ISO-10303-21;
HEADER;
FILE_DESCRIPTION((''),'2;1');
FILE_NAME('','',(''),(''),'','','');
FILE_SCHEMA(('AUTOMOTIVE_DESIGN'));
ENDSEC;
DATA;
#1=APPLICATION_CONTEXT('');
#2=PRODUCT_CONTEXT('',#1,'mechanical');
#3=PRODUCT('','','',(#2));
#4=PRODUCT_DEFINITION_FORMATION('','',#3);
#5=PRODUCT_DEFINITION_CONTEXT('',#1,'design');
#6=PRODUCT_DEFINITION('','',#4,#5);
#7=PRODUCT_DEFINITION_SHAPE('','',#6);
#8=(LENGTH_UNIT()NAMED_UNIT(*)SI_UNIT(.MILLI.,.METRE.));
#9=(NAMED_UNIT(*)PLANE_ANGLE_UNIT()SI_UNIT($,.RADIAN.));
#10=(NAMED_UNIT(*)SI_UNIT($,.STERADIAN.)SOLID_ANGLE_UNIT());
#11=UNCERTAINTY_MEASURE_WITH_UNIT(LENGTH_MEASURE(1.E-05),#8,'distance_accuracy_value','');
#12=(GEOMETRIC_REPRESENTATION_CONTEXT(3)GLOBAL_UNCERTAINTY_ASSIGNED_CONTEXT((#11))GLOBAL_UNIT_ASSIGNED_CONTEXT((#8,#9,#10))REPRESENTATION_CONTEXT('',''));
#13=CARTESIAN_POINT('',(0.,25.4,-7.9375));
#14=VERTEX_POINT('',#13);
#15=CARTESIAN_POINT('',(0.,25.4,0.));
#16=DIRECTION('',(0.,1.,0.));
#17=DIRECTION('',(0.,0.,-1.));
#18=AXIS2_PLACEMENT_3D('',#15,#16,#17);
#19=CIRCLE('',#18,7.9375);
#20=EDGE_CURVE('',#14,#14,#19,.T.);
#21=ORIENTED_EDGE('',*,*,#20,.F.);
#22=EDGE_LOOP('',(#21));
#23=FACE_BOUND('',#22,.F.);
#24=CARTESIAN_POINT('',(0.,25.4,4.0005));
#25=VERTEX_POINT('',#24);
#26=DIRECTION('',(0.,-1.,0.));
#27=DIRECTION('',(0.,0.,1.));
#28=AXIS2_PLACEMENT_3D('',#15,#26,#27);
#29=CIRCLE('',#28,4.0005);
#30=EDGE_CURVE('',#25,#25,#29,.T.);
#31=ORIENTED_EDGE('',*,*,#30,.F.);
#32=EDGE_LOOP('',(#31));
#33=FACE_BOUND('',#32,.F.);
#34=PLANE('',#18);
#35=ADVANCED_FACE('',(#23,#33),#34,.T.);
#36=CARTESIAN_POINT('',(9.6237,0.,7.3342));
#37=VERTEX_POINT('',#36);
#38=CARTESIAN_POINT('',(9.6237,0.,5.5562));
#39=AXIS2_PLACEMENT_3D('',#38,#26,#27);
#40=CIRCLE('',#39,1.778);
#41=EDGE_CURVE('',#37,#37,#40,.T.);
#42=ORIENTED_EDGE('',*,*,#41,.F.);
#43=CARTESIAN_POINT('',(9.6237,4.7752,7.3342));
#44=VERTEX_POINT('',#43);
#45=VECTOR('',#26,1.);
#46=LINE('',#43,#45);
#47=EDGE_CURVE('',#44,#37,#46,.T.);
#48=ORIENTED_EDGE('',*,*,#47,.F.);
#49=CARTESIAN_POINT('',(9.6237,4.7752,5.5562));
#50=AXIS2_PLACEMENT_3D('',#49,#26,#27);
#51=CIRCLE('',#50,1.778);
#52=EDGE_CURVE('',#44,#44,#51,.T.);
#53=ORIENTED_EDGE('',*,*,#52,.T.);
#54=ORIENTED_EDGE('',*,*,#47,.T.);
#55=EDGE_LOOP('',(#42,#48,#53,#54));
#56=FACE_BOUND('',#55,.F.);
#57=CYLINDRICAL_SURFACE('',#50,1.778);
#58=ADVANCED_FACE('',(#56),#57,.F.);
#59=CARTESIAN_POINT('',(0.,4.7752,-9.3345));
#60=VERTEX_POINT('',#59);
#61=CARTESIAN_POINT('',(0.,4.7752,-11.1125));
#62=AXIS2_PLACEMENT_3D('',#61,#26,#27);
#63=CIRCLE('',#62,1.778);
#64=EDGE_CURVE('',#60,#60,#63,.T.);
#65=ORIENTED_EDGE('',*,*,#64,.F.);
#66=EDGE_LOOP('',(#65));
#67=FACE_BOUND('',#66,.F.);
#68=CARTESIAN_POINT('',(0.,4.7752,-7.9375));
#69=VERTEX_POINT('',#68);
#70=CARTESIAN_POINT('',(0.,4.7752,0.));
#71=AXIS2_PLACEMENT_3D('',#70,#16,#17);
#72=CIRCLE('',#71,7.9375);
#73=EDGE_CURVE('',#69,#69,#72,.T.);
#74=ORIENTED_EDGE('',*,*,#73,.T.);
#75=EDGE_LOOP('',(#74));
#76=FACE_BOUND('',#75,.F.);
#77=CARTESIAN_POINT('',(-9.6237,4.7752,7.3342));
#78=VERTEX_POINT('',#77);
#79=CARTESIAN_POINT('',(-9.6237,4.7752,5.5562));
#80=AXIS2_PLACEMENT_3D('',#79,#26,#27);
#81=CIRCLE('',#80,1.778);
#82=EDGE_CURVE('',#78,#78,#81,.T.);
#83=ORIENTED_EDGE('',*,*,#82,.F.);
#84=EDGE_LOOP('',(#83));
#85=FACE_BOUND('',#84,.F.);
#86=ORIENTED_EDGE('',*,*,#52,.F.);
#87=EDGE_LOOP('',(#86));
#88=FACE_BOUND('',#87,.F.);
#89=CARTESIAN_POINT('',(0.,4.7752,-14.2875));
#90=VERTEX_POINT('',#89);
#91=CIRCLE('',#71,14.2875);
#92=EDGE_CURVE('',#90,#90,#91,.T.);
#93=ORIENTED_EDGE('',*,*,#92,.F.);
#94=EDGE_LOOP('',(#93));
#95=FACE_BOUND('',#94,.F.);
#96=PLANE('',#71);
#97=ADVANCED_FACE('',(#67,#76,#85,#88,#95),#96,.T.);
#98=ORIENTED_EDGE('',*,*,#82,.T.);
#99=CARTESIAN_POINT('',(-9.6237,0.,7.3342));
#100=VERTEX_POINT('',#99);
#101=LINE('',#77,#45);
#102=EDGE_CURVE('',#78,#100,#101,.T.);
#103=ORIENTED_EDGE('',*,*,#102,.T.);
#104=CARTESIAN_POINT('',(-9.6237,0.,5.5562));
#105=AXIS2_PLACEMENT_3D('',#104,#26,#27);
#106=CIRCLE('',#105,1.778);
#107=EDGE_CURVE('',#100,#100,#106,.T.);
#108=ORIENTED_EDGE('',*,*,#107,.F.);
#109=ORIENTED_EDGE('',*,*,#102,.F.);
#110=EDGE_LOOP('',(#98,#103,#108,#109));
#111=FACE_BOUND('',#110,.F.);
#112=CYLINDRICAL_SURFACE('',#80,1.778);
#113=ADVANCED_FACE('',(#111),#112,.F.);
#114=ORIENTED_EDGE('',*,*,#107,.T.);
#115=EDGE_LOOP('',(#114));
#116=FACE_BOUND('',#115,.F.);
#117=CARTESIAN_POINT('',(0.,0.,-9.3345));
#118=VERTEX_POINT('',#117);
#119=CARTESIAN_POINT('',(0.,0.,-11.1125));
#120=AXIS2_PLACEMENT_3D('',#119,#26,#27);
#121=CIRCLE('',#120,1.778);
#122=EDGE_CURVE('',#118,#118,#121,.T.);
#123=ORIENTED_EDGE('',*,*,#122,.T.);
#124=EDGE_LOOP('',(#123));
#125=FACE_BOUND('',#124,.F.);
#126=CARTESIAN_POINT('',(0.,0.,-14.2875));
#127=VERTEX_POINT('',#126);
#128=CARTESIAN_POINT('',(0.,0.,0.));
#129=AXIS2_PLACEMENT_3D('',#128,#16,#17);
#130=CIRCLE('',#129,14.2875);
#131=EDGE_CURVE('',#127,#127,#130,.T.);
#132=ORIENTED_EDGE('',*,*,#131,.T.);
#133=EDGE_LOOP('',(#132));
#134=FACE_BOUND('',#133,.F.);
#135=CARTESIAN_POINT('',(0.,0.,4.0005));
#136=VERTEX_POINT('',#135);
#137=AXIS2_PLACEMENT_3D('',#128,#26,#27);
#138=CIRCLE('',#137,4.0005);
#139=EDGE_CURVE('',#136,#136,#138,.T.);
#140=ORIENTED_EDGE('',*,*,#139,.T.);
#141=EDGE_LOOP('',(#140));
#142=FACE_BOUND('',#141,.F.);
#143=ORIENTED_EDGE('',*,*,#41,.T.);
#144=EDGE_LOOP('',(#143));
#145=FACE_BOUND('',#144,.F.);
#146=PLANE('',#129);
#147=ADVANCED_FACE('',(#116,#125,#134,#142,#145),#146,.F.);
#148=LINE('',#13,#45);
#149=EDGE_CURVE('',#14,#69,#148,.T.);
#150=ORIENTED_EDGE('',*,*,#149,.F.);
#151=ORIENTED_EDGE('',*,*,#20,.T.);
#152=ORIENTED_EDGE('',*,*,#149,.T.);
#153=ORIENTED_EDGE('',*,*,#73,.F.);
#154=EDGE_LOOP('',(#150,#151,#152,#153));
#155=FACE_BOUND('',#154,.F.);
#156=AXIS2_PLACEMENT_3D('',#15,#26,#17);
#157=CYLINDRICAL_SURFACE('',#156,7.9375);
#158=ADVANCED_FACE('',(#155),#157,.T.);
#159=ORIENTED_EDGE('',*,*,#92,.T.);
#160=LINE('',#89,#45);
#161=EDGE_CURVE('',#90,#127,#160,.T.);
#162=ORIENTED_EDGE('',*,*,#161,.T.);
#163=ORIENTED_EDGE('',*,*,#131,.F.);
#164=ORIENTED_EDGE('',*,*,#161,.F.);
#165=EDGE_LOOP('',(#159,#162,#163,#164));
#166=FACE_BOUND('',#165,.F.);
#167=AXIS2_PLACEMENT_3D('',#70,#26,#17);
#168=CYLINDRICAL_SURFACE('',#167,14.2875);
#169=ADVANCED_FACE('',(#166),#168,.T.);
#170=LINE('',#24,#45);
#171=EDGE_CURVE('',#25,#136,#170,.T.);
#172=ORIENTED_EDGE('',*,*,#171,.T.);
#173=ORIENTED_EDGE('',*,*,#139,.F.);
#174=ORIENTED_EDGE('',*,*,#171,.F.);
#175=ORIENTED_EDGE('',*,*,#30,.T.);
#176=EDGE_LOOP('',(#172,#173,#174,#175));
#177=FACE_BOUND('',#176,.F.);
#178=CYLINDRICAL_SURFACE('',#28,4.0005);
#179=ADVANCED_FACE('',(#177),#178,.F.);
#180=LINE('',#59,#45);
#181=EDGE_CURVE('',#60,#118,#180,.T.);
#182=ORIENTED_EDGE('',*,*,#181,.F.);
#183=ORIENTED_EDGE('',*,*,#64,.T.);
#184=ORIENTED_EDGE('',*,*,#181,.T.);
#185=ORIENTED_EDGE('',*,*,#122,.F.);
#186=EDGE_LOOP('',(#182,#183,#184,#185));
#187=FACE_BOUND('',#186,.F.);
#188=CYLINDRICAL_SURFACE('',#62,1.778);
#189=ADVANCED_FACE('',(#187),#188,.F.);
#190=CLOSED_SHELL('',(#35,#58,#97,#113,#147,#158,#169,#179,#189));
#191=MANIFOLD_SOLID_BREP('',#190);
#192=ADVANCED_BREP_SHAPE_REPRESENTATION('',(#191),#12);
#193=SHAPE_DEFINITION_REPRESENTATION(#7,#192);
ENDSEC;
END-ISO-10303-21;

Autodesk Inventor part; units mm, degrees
ref_plane "YZ Plane" through (0, 0, 0) normal (1, 0, 0) x (0, 1, 0)
ref_plane "XZ Plane" through (0, 0, 0) normal (0, 1, 0) x (-1, 0, 0)
ref_plane "XY Plane" through (0, 0, 0) normal (0, 0, 1) x (1, 0, 0)
sketch "Sketch1" plane through (0, 0, 0) normal (1, 0, 0) x (0, 1, 0)
  line L0 (0, 0) -> (25.4, 0)
  line L1 (25.4, 0) -> (25.4, -7.9375)
  line L2 (25.4, -7.9375) -> (4.7752, -7.9375)
  line L3 (4.7752, -7.9375) -> (4.7752, -14.2875)
  line L4 (4.7752, -14.2875) -> (0, -14.2875)
  line L5 (0, -14.2875) -> (0, 0)
  dimension "d0" = 25.4
  dimension "d1" = 4.7752
  dimension "d2" = 7.9375
  dimension "d3" = 14.2875
revolve "Revolution1" add sketch "Sketch1" angle 360 about axis through (0, 0, 0) along (0, 1, 0)
hole "Hole1" at (0, 25.4, 0) direction (0, -1, 0) diameter 8.001 end through all thread size "TR10x2" class "7H" standard "ISO Metric Trapezoidal Threads"
sketch "Sketch2" plane through (0, 4.7752, 0) normal (0, 1, 0) x (1, 0, 0)
  circle A0 centre (0, 0) radius 11.1125
  line L0 (-9.6237, -5.5562) -> (0, 0)
  line L1 (0, 0) -> (9.6237, -5.5562)
  line L2 (0, 0) -> (0, 11.1125)
  point P0 (-9.6237, -5.5562)
  dimension "d16" = 120
  dimension "d17" = 120
  dimension "d18" = 22.225
hole "Hole2" at (0, 4.7752, -11.1125) at (-9.6237, 4.7752, 5.5562) at (9.6237, 4.7752, 5.5562) direction (0, -1, 0) diameter 3.556 end through all
properties part number "Lead_Screw_Flange_Nut"
